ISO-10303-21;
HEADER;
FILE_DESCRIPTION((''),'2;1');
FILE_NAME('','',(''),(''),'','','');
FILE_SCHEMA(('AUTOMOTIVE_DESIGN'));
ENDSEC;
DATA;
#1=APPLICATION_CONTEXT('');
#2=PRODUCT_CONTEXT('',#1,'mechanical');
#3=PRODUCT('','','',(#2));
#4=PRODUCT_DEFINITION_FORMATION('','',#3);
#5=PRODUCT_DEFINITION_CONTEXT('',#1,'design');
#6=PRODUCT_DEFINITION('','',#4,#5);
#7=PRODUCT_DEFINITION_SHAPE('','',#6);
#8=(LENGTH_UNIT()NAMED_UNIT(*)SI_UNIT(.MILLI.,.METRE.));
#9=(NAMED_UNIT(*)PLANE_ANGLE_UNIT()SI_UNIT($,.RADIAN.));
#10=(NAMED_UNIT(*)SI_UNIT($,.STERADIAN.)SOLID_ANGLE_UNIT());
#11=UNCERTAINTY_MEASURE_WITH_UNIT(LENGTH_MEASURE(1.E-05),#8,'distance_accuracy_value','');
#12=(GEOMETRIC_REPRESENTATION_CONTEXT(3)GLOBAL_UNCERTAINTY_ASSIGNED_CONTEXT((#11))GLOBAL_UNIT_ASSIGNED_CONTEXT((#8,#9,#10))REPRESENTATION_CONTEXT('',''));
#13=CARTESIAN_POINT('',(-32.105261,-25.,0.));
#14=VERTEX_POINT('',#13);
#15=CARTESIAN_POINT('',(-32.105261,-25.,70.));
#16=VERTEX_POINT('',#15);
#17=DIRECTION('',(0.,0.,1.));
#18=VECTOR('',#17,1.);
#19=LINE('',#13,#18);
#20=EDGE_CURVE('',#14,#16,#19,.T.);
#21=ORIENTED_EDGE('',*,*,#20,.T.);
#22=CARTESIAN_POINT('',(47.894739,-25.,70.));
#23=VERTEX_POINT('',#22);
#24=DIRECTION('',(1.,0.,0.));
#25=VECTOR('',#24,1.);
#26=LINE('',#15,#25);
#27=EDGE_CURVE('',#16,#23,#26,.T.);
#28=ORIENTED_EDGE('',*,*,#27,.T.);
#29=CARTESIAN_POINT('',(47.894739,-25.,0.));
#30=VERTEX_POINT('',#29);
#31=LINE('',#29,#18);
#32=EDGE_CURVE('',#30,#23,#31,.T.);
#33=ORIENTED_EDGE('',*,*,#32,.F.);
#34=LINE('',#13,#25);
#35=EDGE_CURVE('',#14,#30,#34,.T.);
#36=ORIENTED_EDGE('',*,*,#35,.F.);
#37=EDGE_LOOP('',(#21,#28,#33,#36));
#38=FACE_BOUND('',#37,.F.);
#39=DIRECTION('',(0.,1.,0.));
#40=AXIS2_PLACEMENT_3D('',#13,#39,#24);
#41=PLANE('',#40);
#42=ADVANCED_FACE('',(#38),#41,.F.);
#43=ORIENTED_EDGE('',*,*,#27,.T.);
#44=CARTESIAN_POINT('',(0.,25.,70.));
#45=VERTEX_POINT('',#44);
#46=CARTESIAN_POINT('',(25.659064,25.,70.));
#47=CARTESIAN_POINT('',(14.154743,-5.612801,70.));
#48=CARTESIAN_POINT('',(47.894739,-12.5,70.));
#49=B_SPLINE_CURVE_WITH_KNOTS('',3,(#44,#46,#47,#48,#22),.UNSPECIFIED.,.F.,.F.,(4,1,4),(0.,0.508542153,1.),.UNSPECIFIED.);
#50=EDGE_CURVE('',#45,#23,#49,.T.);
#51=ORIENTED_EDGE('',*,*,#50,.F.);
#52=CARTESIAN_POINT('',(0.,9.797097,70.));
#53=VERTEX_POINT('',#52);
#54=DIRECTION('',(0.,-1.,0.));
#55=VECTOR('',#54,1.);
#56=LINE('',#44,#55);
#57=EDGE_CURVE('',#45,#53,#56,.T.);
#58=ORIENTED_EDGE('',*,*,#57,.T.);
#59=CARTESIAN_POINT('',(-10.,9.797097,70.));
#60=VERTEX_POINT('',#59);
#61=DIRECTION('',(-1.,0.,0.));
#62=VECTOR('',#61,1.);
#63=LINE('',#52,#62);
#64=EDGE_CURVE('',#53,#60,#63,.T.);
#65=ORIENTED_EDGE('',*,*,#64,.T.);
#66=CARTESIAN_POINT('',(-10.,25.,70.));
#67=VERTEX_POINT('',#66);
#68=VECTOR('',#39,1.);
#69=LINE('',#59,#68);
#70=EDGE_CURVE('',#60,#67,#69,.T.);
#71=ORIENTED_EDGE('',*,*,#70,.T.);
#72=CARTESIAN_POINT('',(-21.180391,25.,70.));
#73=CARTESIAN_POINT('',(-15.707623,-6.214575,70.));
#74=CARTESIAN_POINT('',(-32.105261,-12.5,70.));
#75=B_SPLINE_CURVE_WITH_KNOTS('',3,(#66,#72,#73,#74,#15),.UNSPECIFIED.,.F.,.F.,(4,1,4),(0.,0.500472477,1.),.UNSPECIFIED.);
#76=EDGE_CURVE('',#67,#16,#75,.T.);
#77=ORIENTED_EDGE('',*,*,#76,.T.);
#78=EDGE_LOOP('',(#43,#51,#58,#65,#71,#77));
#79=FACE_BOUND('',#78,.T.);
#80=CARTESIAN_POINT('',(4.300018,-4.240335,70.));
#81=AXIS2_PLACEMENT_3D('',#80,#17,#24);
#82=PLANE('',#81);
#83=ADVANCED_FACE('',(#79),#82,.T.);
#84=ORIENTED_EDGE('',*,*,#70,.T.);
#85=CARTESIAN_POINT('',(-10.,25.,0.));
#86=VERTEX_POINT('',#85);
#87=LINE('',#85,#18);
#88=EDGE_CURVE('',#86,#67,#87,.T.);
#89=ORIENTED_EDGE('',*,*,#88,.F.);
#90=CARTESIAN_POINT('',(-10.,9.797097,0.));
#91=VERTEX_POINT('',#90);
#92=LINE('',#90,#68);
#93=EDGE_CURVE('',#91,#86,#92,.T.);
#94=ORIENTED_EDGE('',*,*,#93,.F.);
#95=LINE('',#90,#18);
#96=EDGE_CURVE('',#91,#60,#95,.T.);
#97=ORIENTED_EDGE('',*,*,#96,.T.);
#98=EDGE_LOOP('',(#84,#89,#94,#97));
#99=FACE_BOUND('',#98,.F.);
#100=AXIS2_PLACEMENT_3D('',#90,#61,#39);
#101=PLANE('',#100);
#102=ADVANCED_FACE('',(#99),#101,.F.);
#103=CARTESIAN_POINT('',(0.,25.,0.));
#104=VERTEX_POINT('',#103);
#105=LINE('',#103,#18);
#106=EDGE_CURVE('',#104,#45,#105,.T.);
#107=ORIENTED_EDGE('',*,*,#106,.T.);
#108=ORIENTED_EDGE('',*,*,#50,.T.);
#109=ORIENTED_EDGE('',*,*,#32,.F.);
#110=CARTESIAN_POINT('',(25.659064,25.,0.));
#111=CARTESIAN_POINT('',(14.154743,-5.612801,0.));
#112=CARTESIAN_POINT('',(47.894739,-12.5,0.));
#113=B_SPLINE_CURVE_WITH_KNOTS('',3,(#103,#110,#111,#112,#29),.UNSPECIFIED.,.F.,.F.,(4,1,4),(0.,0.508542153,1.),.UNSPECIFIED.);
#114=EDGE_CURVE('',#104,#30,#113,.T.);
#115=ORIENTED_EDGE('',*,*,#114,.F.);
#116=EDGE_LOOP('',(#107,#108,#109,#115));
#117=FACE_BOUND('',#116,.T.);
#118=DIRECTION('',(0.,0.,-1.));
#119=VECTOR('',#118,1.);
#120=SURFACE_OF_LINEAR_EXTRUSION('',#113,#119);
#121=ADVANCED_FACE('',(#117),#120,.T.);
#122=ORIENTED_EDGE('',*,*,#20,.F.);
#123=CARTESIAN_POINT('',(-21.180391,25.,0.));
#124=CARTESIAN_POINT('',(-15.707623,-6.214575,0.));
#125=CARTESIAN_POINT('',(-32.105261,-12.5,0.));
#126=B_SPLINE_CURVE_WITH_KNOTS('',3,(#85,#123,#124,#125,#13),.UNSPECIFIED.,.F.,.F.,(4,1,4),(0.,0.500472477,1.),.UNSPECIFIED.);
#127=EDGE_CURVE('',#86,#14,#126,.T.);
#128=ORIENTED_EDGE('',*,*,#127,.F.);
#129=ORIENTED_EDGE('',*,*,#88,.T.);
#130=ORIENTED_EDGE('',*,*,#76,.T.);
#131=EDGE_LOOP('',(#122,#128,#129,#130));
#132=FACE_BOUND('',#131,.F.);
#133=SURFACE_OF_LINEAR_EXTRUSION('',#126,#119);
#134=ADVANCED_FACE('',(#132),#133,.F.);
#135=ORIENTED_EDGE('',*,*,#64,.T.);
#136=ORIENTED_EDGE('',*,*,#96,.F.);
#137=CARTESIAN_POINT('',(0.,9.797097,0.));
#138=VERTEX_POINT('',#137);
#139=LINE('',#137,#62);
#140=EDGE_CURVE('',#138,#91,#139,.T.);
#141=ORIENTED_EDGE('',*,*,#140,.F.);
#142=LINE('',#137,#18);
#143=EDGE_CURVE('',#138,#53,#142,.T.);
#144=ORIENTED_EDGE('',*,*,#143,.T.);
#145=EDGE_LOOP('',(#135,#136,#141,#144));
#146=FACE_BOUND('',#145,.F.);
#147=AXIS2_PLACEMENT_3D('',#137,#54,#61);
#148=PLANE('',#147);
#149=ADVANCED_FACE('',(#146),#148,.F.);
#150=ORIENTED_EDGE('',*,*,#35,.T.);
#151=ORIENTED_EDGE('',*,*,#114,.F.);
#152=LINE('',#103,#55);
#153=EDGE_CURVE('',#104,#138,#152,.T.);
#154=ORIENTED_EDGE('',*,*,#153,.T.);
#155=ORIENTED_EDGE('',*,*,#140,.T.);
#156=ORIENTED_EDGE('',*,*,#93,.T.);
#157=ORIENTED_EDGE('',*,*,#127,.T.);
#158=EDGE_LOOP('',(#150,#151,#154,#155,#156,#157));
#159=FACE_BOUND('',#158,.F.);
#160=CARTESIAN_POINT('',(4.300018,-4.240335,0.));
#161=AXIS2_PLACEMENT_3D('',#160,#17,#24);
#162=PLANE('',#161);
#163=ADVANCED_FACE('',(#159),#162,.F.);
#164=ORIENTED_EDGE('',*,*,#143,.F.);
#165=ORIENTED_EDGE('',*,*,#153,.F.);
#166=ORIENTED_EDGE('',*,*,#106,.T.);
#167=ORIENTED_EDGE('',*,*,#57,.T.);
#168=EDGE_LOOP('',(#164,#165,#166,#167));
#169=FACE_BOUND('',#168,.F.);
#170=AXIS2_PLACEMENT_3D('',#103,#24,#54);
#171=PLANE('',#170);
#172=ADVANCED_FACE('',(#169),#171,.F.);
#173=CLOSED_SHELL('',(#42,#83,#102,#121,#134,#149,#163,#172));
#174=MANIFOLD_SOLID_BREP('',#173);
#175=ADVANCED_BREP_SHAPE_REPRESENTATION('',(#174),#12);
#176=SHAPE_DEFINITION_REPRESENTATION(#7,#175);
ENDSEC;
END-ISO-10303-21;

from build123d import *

# Parameters (mm, degrees)
F1_DEPTH = 70


with BuildPart() as f1:
    # F0 (on Top) → F1 (new body)
    with BuildSketch(Plane.XY):
        with BuildLine():
            Line((-32.1052614199, -25), (0, -25))
            Line((0, -25), (47.8947385801, -25))
            add(Edge.make_bspline(
                [(0, 25), (25.659063831, 25), (14.1547425884, -5.6128009824), (47.8947385801, -12.5), (47.8947385801, -25)],
                knots=[0, 0, 0, 0, 0.5085421527, 1, 1, 1, 1], degree=3))
            Line((0, 25), (0, 9.7970971838))
            Line((0, 9.7970971838), (-10, 9.7970971838))
            Line((-10, 9.7970971838), (-10, 25))
            add(Edge.make_bspline(
                [(-10, 25), (-21.1803913116, 25), (-15.7076229836, -6.2145753219), (-32.1052614199, -12.5), (-32.1052614199, -25)],
                knots=[0, 0, 0, 0, 0.5004724774, 1, 1, 1, 1], degree=3))
        make_face()
    extrude(amount=F1_DEPTH)


solid = f1.part
